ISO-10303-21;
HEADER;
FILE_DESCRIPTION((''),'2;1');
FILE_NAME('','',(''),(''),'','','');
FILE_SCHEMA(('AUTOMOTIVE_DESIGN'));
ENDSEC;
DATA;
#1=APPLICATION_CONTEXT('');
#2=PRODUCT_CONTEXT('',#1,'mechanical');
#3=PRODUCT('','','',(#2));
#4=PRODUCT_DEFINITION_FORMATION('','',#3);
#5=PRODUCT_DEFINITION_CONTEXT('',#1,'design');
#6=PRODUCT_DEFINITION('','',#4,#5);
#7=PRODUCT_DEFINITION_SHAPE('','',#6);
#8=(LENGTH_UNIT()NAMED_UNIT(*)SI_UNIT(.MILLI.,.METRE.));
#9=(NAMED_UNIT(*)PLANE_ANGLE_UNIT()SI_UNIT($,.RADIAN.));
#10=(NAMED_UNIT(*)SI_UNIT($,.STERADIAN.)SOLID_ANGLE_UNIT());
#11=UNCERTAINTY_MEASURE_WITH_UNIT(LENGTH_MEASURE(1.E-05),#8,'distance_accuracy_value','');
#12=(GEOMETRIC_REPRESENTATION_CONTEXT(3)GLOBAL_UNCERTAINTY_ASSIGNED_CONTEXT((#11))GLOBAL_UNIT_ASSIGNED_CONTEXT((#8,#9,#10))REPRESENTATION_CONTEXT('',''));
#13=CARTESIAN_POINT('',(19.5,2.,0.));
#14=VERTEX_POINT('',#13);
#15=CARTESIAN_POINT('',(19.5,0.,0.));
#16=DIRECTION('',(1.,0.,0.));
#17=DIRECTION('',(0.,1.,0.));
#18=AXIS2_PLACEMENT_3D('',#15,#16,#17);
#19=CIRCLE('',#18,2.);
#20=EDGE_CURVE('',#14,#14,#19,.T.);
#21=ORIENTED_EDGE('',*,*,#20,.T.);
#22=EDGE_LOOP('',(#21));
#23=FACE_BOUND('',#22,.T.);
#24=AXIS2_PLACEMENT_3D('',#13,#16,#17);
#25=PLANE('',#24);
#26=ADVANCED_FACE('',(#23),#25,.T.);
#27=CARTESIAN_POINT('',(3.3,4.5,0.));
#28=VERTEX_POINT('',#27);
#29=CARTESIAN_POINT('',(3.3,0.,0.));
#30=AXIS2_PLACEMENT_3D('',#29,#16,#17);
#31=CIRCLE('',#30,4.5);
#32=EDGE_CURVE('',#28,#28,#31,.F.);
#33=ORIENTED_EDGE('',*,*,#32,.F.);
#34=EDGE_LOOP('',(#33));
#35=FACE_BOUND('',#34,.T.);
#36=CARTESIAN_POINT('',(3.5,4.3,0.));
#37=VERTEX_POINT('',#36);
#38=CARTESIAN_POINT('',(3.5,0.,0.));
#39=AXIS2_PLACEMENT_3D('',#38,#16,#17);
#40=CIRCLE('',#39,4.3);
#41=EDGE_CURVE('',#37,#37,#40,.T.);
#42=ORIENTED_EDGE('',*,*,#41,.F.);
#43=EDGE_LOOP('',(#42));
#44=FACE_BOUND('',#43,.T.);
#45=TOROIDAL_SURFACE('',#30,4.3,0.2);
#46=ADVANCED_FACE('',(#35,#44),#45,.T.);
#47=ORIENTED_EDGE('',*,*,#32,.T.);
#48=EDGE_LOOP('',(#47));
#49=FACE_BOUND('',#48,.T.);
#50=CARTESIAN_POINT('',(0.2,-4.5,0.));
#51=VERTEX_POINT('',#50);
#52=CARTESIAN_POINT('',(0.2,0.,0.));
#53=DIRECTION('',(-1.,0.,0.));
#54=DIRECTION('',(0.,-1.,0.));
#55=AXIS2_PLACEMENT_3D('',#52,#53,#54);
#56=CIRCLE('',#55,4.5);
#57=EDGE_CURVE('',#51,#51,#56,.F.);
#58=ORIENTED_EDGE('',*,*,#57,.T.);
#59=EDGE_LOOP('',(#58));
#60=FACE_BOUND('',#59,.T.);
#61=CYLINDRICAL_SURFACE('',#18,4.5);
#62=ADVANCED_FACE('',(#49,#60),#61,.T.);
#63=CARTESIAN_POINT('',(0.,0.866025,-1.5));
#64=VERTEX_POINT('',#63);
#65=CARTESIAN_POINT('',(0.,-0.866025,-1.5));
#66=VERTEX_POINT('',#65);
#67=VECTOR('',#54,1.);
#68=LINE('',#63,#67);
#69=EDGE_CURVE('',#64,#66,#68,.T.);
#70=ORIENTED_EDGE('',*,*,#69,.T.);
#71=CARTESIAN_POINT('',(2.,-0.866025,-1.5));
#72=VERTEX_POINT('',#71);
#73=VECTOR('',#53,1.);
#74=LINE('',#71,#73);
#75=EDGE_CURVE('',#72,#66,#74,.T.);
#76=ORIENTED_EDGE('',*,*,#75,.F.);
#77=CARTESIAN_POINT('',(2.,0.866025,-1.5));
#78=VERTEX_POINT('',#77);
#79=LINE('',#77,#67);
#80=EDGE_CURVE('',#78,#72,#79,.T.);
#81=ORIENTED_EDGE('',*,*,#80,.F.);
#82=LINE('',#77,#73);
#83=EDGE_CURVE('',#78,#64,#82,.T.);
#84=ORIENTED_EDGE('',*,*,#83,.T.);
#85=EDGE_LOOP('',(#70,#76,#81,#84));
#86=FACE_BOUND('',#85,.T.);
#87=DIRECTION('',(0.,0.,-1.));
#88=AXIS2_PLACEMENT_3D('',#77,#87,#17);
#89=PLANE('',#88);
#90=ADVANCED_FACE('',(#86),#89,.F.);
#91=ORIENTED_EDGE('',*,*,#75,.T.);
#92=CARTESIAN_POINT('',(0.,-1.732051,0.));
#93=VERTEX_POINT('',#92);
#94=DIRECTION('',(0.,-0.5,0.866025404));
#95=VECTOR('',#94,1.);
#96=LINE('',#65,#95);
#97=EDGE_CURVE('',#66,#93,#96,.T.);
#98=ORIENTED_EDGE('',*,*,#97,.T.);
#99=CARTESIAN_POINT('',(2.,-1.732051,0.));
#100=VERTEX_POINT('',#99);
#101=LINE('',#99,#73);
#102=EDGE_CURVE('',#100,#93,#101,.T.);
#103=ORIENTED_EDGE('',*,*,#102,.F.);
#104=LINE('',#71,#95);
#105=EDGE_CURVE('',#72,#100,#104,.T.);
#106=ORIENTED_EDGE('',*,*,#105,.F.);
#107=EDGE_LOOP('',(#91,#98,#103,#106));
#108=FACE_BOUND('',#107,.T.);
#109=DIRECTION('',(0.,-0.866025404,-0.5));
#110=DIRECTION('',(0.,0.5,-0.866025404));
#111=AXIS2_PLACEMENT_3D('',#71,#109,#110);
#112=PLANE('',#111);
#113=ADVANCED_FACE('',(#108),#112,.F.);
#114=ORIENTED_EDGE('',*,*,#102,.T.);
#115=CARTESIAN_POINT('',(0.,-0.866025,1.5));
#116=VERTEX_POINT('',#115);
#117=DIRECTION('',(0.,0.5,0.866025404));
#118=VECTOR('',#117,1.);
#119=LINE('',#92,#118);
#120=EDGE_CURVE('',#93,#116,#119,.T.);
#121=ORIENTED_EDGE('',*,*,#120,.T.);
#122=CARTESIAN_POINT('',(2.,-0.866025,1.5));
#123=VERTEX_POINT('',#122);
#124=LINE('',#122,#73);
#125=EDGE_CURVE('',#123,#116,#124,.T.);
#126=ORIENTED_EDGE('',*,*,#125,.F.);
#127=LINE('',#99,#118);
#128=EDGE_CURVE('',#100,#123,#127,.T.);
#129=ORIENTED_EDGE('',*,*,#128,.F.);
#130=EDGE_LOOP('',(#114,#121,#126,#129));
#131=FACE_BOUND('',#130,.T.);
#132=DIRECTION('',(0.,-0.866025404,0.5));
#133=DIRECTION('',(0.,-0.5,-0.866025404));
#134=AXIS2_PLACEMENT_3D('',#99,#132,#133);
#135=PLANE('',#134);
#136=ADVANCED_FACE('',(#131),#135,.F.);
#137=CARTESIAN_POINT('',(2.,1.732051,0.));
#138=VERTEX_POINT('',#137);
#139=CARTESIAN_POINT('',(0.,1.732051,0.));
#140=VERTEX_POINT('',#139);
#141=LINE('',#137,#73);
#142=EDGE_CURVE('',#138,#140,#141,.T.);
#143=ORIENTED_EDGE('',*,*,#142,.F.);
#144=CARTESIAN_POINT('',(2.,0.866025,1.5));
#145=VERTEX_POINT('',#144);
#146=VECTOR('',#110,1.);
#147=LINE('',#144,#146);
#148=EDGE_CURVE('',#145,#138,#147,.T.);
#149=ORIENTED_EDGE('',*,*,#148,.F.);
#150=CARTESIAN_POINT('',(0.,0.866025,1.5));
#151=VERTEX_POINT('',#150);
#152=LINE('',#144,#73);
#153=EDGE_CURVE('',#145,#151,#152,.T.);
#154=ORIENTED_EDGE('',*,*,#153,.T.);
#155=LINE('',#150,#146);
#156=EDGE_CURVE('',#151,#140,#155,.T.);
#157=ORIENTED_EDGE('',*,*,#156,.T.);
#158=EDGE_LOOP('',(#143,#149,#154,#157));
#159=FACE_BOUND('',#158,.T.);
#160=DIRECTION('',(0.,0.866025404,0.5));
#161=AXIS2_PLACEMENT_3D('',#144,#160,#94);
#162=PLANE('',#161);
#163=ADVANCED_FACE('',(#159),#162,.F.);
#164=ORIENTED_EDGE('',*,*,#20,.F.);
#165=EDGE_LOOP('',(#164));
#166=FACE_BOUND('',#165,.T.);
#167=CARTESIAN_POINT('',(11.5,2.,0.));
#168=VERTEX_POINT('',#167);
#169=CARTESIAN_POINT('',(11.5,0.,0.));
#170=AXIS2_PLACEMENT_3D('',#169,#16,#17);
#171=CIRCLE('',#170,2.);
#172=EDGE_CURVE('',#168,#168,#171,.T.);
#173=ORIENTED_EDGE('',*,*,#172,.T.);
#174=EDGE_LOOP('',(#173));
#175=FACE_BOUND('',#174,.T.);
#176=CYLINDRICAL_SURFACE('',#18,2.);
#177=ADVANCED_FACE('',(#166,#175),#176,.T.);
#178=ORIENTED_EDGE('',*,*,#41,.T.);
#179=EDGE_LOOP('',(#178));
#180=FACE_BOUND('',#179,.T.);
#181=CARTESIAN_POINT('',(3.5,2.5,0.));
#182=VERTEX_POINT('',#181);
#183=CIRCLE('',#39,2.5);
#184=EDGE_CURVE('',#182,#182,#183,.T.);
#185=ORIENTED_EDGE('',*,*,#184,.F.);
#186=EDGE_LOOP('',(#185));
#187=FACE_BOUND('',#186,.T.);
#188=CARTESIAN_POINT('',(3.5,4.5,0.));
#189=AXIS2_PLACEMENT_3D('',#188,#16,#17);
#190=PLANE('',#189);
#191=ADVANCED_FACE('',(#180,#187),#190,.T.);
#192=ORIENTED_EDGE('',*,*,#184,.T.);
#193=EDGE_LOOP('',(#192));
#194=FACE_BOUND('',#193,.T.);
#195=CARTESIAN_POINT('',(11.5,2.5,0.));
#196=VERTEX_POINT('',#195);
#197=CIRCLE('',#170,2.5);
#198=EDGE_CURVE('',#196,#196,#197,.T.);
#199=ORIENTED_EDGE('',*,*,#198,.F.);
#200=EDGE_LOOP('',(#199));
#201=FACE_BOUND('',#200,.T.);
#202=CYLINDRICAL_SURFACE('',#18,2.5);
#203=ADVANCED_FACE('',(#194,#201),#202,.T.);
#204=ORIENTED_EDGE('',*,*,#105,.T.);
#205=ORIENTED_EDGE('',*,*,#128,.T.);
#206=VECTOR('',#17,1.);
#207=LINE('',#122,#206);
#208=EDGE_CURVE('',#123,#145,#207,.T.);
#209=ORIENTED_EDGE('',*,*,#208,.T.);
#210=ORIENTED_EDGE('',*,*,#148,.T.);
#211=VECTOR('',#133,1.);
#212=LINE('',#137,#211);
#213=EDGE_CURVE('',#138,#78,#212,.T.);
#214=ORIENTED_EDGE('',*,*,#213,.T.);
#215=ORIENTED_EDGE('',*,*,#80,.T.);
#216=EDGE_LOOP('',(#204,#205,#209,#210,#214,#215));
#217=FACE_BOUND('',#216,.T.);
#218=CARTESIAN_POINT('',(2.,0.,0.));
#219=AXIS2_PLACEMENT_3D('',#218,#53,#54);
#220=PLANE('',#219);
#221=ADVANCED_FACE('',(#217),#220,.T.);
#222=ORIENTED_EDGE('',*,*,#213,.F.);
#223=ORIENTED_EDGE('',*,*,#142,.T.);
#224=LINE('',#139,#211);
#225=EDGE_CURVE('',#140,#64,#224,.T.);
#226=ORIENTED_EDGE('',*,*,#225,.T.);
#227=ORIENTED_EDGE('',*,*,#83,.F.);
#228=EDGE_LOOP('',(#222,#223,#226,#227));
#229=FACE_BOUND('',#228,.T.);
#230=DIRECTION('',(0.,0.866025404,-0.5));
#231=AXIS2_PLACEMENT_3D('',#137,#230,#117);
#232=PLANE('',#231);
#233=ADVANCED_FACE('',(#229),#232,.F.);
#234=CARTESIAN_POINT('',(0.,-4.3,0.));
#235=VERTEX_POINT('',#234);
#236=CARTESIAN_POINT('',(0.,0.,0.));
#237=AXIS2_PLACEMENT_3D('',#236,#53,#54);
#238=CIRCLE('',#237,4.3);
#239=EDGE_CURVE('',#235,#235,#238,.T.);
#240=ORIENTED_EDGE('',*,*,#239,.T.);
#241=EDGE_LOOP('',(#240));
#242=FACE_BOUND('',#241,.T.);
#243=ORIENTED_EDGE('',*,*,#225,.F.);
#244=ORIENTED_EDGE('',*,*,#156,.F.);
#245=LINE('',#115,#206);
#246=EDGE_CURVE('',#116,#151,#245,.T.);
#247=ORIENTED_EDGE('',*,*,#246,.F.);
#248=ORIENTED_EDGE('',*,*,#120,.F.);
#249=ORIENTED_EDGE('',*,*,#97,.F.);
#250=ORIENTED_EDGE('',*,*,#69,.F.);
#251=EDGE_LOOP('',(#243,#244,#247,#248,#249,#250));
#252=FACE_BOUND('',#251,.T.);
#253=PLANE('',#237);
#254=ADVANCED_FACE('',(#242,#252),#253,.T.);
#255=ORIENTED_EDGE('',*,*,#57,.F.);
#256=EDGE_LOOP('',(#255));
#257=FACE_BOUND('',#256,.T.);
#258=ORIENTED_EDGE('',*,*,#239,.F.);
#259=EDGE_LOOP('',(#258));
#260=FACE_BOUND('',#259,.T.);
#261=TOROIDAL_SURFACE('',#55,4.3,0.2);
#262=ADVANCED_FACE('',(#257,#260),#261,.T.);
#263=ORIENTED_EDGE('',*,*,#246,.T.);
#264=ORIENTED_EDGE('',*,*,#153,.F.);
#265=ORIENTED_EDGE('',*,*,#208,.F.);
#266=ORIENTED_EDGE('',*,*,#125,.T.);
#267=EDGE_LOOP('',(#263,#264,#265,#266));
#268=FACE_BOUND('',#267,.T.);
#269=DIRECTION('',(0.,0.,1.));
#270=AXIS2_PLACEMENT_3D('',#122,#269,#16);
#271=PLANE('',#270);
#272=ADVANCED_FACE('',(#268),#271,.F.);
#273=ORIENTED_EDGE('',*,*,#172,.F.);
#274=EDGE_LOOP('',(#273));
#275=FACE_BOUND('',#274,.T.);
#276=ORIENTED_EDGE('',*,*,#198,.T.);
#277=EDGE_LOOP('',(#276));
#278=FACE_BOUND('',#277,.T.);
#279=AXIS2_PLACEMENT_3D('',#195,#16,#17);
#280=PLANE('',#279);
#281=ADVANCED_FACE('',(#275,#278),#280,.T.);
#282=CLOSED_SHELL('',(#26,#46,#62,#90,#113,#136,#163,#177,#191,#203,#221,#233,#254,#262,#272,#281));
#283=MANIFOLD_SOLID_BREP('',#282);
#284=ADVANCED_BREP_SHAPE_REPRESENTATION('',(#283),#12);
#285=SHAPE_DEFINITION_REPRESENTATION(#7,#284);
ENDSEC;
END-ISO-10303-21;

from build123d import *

# Parameters (mm, degrees)
CUT_EXTRUDE_1_DEPTH = 2
FILLET_1_R          = 0.2


with BuildPart() as part:
    # 草图1 → 旋转1 (revolve)
    with BuildSketch(Plane.XY):
        Polygon((0, 0), (0, 4.5), (3.5, 4.5), (3.5, 2.5), (11.5, 2.5), (11.5, 2), (19.5, 2), (19.5, 0), align=None)
    revolve(axis=Axis((19.5, 0, 0), (-1, 0, 0)))

    # 草图2 → 切除-拉伸1 (cut)
    with BuildSketch(Plane.ZY):
        Polygon((1.5, 0.866025404), (0, 1.732050808), (-1.5, 0.866025404), (-1.5, -0.866025404), (0, -1.732050808), (1.5, -0.866025404), align=None)
    extrude(amount=-CUT_EXTRUDE_1_DEPTH, mode=Mode.SUBTRACT)

    # 圆角1
    fillet_1_edges = [part.edges().sort_by_distance(p)[0] for p in [
        (3.5, -4.5, 0),
        (0, -4.5, 0),
    ]]
    fillet(fillet_1_edges, radius=FILLET_1_R)


solid = part.part
